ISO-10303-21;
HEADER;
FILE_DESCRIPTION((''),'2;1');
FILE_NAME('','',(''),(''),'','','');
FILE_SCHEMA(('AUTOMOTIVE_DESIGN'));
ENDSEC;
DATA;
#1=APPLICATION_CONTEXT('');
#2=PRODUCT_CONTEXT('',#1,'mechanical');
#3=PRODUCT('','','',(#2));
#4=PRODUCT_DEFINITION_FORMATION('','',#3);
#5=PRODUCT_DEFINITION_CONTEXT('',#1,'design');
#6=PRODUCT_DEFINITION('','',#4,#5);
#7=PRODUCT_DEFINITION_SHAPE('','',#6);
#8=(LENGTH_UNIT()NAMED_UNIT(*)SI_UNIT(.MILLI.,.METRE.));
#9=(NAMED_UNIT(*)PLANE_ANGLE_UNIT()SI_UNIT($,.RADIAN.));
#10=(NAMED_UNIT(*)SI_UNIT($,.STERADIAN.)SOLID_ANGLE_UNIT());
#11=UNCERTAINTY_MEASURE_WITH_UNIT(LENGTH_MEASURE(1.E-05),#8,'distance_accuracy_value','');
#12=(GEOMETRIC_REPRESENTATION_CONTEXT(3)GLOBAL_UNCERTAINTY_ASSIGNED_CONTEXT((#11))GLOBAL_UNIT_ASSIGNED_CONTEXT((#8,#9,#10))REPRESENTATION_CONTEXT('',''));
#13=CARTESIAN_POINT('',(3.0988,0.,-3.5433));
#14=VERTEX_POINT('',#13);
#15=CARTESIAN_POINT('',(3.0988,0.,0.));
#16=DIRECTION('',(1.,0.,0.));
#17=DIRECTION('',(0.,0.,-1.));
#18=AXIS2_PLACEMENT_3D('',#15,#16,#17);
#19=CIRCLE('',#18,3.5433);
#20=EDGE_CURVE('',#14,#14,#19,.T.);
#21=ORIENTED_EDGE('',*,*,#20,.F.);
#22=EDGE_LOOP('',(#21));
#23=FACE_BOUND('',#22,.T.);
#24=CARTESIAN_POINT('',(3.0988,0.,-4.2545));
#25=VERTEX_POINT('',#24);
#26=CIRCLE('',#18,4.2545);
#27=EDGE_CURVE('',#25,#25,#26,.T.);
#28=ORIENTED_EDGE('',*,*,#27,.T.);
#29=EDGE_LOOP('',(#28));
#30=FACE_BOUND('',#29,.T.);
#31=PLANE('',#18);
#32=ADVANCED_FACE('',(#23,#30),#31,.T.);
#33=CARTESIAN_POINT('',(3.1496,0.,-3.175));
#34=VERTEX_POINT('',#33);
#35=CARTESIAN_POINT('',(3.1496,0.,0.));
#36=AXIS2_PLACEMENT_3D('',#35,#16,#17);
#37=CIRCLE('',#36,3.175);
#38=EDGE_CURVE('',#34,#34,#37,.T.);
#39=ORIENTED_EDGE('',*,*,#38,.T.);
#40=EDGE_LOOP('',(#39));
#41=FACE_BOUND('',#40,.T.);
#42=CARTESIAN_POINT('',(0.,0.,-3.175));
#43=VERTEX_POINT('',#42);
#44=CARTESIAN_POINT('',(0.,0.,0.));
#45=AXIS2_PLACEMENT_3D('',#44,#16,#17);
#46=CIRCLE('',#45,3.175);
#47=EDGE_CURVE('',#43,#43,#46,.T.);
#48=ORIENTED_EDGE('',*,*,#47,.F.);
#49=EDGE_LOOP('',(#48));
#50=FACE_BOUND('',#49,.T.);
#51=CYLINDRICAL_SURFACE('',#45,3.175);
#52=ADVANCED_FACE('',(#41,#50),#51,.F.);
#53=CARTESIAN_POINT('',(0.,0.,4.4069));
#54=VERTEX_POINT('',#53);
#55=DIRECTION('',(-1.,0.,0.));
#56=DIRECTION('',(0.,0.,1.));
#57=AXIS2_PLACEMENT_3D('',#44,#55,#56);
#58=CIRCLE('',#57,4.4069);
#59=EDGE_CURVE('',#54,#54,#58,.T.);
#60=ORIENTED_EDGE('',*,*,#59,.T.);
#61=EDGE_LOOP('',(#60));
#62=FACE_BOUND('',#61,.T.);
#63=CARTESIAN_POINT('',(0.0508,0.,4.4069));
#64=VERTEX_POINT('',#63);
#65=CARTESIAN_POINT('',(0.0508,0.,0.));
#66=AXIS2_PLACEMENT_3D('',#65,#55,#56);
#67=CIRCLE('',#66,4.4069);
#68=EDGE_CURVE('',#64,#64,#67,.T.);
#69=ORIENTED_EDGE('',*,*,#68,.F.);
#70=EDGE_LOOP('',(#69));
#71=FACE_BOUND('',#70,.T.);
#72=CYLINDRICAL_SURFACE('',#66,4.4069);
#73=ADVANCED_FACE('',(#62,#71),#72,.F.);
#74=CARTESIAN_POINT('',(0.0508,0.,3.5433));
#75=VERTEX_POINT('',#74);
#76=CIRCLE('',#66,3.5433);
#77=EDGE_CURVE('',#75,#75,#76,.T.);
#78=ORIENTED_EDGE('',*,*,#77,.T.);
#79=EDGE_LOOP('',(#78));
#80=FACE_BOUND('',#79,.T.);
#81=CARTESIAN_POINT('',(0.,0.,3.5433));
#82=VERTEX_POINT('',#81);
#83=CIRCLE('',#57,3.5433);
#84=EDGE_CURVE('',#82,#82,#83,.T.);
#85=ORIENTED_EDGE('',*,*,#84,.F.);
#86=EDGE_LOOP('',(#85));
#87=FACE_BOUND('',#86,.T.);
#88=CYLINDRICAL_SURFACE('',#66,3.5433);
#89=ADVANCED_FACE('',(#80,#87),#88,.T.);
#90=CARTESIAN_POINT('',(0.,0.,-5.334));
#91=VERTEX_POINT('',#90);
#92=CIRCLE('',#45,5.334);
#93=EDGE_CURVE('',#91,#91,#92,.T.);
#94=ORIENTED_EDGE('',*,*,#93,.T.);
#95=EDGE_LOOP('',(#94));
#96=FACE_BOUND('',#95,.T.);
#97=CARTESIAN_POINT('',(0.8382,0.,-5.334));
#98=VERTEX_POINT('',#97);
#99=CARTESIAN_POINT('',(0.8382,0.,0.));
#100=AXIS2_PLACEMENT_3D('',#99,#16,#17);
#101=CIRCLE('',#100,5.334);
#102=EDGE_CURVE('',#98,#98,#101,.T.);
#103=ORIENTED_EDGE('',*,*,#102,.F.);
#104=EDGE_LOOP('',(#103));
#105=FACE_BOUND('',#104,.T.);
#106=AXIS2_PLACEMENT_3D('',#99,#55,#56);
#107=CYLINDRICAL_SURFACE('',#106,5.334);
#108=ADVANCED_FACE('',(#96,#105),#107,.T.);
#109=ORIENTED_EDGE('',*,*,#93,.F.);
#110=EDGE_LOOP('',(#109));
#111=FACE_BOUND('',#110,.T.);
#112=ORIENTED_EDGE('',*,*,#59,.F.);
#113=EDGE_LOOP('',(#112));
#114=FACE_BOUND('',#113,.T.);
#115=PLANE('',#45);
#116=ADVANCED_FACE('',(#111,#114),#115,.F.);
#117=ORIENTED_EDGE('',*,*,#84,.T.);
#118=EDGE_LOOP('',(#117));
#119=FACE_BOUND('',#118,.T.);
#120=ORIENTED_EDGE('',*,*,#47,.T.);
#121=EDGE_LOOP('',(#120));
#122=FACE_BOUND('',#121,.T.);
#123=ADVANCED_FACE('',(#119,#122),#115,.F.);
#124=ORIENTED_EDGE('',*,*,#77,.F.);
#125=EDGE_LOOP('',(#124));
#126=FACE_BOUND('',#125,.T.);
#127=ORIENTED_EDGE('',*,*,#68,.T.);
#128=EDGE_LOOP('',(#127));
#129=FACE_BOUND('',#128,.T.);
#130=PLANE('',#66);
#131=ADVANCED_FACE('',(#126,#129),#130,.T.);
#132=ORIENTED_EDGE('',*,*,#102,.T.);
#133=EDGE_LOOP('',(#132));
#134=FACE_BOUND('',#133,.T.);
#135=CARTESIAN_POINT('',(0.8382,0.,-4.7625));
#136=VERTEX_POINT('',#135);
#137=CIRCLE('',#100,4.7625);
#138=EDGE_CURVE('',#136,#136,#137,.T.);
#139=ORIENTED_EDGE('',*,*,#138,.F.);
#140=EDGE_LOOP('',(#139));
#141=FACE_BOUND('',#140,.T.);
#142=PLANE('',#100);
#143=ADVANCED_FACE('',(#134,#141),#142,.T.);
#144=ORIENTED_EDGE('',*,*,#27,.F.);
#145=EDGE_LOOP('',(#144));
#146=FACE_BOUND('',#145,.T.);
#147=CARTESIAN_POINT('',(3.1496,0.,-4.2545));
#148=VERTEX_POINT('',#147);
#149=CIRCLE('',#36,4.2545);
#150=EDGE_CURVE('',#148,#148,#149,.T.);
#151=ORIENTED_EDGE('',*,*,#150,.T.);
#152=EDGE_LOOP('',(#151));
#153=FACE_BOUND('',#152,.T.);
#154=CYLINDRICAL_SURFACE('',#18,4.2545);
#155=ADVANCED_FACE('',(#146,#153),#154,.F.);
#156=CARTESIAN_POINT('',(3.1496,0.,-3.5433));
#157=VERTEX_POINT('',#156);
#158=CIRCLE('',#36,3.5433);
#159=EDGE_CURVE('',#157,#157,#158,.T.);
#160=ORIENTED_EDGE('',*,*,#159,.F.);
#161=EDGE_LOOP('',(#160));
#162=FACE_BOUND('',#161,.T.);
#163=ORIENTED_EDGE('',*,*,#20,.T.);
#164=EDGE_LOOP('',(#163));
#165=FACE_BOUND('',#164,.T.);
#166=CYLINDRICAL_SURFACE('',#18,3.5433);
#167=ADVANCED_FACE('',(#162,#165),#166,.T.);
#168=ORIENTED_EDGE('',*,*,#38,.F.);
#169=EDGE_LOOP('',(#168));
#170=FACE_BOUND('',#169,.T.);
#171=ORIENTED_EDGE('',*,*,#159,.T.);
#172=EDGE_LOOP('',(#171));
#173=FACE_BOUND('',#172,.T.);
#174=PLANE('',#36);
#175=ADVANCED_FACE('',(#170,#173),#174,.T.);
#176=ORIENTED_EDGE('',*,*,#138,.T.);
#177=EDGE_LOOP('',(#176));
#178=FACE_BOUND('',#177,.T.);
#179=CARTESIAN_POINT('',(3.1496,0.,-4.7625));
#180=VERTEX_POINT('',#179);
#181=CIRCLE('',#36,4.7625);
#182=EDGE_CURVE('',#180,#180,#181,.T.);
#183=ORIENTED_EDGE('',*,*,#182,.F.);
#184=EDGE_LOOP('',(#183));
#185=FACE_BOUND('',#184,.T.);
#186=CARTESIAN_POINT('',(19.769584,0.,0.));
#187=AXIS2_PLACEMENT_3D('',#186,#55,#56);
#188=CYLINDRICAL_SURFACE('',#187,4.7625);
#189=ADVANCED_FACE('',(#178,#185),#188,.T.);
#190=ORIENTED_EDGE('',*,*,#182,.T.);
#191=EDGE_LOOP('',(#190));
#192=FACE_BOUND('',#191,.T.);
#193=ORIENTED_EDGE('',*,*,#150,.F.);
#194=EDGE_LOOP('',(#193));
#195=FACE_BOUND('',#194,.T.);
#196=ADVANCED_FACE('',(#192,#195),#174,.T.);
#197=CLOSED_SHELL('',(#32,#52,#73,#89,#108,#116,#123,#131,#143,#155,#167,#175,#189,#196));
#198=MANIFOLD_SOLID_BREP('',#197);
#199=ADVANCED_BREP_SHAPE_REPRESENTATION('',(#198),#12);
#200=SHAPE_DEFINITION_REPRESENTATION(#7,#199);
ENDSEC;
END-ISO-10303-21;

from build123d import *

# Parameters (mm, degrees)
SKETCH1_R           = 5.334
BOSS_EXTRUDE1_DEPTH = 0.8382
SKETCH2_R           = 4.7625
BOSS_EXTRUDE2_DEPTH = 2.3114
SKETCH3_R           = 3.175
CUT_EXTRUDE1_DEPTH  = 9.174539263
SKETCH4_R           = 4.4069
SKETCH4_R_2         = 3.5433
CUT_EXTRUDE2_DEPTH  = 0.0508
CUT_EXTRUDE3_START  = -0.0508
SKETCH5_R           = 4.2545
SKETCH5_R_2         = 3.5433
CUT_EXTRUDE3_DEPTH  = 0.0508


with BuildPart() as part:
    # Sketch1 → Boss-Extrude1 (new body)
    with BuildSketch(Plane(origin=(0, 0, 0), x_dir=(0, 0, -1), z_dir=(1, 0, 0))):
        Circle(SKETCH1_R)
    extrude(amount=BOSS_EXTRUDE1_DEPTH)

    # Sketch2 → Boss-Extrude2 (add)
    with BuildSketch(Plane(origin=(0.8382, 0, 0), x_dir=(0, 0, -1), z_dir=(1, 0, 0))):
        Circle(SKETCH2_R)
    extrude(amount=BOSS_EXTRUDE2_DEPTH)

    # Sketch3 → Cut-Extrude1 (cut, through all)
    with BuildSketch(Plane(origin=(3.1496, 0, 0), x_dir=(0, 0, -1), z_dir=(1, 0, 0))):
        Circle(SKETCH3_R)
    extrude(amount=-CUT_EXTRUDE1_DEPTH, mode=Mode.SUBTRACT)

    # Sketch4 → Cut-Extrude2 (cut)
    with BuildSketch(Plane.ZY):
        Circle(SKETCH4_R)
        Circle(SKETCH4_R_2, mode=Mode.SUBTRACT)
    extrude(amount=-CUT_EXTRUDE2_DEPTH, mode=Mode.SUBTRACT)

    # Sketch5 → Cut-Extrude3 (cut)
    with BuildSketch(Plane(origin=(3.1496, 0, 0), x_dir=(0, 0, -1), z_dir=(1, 0, 0)).offset(CUT_EXTRUDE3_START)):
        Circle(SKETCH5_R)
        with Locations(Location((0, 0, 0), (0, 0, 180))):
            Circle(SKETCH5_R_2, mode=Mode.SUBTRACT)
    extrude(amount=CUT_EXTRUDE3_DEPTH, mode=Mode.SUBTRACT)


solid = part.part
